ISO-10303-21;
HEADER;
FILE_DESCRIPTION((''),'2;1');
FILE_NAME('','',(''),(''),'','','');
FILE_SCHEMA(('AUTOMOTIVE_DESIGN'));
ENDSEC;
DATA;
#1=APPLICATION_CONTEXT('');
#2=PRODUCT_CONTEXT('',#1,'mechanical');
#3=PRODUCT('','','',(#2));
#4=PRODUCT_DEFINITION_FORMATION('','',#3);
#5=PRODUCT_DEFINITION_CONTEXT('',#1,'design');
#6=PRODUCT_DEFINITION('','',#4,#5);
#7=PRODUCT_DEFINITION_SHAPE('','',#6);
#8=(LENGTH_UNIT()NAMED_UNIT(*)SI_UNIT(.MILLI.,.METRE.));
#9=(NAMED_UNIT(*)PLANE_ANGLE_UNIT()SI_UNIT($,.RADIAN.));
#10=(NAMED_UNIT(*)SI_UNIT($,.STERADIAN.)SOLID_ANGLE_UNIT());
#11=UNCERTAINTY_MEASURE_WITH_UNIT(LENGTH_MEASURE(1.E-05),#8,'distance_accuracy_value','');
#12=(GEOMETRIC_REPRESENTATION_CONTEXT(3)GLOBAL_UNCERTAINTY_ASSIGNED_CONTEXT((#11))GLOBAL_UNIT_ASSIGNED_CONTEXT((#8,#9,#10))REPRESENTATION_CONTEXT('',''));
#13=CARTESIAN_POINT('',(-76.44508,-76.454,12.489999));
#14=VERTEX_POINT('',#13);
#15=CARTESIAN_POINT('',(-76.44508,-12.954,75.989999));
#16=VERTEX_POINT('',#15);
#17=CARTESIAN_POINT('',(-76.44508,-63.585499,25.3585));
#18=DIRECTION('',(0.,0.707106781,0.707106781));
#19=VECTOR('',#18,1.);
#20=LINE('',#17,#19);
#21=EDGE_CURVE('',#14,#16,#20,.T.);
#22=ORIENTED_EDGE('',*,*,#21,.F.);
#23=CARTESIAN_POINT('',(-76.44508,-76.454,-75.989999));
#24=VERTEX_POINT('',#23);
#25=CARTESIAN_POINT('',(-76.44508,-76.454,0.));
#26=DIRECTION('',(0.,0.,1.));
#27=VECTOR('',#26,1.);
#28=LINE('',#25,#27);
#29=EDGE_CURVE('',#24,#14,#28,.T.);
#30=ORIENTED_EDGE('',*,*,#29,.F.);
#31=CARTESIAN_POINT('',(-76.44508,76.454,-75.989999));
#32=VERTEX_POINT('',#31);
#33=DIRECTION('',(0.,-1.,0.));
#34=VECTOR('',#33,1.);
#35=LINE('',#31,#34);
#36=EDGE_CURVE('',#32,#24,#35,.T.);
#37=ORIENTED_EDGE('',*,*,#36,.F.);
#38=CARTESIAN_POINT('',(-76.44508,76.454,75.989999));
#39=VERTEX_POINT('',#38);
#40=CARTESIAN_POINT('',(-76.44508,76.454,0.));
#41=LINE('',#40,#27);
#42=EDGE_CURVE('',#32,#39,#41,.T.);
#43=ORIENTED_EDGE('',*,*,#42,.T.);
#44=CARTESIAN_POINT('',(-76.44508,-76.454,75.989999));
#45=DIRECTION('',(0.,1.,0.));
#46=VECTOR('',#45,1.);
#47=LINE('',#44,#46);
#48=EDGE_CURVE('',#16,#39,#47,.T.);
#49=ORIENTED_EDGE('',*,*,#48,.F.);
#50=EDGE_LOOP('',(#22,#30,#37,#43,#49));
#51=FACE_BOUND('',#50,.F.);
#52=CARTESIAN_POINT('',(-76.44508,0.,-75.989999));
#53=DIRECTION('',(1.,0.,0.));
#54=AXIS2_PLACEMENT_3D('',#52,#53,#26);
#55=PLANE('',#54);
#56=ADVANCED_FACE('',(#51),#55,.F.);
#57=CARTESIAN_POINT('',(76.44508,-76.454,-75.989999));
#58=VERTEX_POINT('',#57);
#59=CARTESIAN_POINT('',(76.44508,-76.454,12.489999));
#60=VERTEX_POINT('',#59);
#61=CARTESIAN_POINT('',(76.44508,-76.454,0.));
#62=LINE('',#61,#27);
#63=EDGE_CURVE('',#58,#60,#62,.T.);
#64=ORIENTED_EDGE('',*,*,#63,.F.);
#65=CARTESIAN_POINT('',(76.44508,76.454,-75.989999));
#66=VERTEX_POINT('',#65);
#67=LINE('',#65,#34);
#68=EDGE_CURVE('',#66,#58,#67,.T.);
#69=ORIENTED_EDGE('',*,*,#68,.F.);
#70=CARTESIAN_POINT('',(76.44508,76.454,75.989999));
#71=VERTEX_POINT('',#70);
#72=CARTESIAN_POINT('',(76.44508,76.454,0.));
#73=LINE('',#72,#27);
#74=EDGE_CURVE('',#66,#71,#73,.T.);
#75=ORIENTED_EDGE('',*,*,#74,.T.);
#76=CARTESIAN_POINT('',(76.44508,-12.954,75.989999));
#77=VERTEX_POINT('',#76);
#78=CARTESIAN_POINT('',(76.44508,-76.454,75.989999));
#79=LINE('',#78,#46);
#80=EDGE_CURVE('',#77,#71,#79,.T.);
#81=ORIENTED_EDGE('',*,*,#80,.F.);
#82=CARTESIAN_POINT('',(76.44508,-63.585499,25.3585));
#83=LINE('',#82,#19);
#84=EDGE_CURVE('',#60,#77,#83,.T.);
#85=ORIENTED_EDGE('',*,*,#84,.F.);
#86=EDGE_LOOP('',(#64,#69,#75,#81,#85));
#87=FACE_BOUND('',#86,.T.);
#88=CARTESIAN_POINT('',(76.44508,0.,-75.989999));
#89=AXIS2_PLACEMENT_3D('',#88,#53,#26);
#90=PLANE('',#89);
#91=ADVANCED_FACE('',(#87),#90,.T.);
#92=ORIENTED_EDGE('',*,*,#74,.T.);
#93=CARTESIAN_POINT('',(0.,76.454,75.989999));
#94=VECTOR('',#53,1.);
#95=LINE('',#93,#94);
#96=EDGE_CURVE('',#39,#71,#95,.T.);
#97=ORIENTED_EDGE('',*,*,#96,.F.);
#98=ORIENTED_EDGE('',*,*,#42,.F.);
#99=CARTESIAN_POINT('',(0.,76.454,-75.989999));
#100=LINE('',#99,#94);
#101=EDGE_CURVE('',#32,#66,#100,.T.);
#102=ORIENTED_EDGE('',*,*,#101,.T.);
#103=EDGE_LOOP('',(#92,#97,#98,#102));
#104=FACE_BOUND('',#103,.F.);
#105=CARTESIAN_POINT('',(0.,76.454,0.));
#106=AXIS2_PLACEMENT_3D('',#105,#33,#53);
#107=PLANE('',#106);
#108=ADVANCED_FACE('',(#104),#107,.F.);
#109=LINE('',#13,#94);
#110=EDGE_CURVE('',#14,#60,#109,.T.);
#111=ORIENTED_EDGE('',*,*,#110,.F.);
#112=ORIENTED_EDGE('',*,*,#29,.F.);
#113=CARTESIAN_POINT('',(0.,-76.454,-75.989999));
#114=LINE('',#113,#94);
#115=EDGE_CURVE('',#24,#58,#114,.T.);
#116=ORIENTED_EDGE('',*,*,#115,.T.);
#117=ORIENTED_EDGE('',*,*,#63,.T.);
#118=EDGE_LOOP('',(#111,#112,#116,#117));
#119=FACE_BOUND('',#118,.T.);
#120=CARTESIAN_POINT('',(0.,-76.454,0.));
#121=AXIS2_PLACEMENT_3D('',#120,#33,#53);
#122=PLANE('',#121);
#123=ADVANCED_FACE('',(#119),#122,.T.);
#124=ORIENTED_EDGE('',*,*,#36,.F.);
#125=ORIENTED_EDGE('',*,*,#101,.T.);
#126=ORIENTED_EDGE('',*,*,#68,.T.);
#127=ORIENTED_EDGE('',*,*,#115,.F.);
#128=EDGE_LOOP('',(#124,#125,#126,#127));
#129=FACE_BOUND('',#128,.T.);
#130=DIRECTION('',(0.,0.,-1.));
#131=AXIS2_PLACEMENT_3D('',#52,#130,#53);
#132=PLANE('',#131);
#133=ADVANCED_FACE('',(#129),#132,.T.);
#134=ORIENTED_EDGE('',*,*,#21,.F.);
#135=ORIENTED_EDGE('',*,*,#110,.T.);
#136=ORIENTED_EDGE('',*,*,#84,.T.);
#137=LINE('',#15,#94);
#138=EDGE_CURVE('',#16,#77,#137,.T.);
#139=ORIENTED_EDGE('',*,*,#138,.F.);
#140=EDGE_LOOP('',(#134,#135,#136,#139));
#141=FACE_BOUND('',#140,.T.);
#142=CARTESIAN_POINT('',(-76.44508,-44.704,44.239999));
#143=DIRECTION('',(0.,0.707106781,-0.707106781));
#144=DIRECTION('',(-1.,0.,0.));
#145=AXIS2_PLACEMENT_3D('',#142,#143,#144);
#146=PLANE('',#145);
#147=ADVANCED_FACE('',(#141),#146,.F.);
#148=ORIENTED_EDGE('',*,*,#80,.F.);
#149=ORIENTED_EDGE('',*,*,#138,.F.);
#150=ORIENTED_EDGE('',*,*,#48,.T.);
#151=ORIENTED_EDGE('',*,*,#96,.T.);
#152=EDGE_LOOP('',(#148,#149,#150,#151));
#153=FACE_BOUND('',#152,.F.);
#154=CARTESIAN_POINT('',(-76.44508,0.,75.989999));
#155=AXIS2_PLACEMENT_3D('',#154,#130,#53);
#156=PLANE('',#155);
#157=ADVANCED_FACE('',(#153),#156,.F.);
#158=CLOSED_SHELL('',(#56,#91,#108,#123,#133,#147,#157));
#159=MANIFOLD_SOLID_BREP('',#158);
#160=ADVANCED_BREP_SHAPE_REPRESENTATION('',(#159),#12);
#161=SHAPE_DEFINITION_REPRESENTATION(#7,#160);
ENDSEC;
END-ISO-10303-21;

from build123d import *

# Parameters (mm, degrees)
F0_W     = 152.89016
F0_H     = 151.979998
F1_DEPTH = 76.454
F2_SIZE  = 63.5


with BuildPart() as f1:
    # F0 (on Front) → F1 (new body, symmetric)
    with BuildSketch(Plane.XZ):
        Rectangle(F0_W, F0_H)
    extrude(amount=F1_DEPTH, both=True)

    # F2
    f2_edges = [f1.edges().sort_by_distance(p)[0] for p in [
        (0, -76.454, 75.989999),
    ]]
    chamfer(f2_edges, length=F2_SIZE)


solid = f1.part
